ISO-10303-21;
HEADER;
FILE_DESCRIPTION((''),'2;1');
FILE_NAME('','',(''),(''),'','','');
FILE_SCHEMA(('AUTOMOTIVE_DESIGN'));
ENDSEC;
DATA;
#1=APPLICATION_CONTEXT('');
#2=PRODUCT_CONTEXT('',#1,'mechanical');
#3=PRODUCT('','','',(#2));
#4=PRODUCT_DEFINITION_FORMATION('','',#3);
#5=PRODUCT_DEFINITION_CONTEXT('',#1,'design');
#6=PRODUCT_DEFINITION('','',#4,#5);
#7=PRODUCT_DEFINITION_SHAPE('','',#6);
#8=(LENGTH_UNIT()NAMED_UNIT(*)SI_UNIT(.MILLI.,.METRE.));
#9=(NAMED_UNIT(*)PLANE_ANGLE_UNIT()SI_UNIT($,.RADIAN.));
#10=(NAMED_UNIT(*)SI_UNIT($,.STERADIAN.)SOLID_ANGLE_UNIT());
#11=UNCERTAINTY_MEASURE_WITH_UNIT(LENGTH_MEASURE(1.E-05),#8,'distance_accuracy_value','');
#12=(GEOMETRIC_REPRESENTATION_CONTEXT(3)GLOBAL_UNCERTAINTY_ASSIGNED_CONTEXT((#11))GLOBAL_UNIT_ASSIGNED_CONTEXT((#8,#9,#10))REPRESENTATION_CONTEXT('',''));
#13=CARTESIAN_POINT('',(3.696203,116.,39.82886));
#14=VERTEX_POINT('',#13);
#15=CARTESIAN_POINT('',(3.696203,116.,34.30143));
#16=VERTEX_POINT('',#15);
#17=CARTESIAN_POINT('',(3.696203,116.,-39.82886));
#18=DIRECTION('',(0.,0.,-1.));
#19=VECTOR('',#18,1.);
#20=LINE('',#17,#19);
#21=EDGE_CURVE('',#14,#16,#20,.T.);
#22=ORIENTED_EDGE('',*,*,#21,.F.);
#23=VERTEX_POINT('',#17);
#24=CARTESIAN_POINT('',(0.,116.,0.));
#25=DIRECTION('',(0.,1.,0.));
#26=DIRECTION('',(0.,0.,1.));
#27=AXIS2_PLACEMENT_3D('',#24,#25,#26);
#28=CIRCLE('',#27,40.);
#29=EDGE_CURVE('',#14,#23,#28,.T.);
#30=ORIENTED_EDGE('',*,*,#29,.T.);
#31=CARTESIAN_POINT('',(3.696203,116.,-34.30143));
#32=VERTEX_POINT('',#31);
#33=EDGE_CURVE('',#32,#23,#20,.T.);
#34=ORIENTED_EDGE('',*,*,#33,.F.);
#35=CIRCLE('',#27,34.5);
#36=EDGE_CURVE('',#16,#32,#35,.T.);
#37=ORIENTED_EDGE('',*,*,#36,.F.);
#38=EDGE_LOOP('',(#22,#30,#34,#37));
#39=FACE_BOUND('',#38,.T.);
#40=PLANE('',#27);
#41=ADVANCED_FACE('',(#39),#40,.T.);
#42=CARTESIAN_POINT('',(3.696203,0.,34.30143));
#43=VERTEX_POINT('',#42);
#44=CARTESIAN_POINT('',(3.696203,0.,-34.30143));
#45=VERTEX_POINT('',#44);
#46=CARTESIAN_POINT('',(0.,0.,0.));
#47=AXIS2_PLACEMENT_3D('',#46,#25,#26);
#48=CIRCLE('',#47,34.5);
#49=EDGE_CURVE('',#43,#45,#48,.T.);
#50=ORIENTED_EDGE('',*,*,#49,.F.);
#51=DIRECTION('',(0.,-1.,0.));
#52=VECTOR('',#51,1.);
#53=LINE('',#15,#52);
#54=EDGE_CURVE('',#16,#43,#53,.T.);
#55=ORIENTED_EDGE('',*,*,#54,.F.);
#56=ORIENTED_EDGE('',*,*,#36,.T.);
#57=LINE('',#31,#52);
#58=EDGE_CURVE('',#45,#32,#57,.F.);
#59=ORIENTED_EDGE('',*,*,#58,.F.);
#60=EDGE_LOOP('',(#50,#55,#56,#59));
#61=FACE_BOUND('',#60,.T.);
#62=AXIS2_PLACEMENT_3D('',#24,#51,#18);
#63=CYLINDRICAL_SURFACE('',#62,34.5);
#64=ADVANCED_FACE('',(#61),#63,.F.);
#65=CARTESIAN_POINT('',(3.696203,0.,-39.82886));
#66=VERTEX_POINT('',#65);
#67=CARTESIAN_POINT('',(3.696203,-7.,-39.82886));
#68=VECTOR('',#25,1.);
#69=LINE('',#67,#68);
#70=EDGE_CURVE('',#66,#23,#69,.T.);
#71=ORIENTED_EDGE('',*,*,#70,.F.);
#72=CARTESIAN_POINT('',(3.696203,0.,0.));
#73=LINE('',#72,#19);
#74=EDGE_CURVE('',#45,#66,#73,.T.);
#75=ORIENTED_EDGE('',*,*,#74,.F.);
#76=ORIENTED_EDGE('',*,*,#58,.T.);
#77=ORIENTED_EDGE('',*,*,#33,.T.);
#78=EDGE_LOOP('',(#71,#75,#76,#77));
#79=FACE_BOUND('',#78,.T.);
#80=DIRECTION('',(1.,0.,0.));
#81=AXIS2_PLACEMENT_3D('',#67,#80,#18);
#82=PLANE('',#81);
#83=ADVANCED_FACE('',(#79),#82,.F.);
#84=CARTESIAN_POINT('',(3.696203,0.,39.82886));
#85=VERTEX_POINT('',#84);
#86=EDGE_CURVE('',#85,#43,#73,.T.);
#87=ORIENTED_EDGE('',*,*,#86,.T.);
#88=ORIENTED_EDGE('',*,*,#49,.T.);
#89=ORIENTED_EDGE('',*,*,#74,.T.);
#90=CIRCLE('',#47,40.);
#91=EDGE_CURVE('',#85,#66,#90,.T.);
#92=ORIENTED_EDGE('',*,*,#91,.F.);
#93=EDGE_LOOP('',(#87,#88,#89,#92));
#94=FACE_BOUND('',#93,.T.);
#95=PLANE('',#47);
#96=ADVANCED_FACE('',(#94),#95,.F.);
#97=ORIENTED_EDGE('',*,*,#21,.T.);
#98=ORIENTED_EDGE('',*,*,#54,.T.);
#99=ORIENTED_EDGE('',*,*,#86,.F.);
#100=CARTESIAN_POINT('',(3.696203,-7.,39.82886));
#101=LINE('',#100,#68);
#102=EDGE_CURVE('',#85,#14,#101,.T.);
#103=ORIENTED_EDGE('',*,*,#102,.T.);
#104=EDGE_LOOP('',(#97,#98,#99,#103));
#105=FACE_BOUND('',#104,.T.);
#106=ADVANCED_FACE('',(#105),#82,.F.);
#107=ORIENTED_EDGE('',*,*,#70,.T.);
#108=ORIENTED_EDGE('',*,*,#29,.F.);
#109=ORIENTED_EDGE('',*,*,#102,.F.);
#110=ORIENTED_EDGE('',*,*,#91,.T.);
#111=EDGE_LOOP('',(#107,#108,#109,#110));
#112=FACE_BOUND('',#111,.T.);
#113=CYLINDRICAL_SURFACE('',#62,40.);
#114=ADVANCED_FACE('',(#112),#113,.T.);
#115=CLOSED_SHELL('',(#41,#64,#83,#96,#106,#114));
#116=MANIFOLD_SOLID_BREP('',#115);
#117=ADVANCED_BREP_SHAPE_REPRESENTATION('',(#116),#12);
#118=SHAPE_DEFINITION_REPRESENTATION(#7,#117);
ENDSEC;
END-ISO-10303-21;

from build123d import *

# Parameters (mm, degrees)
SKETCH1_R           = 40
SKETCH1_R_2         = 34.5
BOSS_EXTRUDE1_DEPTH = 116
CUT_EXTRUDE1_START  = -123
CUT_EXTRUDE1_DEPTH  = 123


with BuildPart() as part:
    # Sketch1 → Boss-Extrude1 (new body)
    with BuildSketch(Plane(origin=(0, 0, 0), x_dir=(1, 0, 0), z_dir=(0, 1, 0))):
        with Locations(Location((0, 0, 0), (0, 0, 90))):
            Circle(SKETCH1_R)
        with Locations(Location((0, 0, 0), (0, 0, 90))):
            Circle(SKETCH1_R_2, mode=Mode.SUBTRACT)
    extrude(amount=BOSS_EXTRUDE1_DEPTH)

    # Sketch2 → Cut-Extrude1 (cut)
    with BuildSketch(Plane(origin=(0, 116, 0), x_dir=(1, 0, 0), z_dir=(0, 1, 0)).offset(CUT_EXTRUDE1_START)):
        with BuildLine():
            Line((3.696203427, 39.828859891), (3.696203427, -39.828859891))
            ThreePointArc((3.696203427, -39.828859891), (-40, 0), (3.696203427, 39.828859891))
        make_face()
    extrude(amount=CUT_EXTRUDE1_DEPTH, mode=Mode.SUBTRACT)


solid = part.part
